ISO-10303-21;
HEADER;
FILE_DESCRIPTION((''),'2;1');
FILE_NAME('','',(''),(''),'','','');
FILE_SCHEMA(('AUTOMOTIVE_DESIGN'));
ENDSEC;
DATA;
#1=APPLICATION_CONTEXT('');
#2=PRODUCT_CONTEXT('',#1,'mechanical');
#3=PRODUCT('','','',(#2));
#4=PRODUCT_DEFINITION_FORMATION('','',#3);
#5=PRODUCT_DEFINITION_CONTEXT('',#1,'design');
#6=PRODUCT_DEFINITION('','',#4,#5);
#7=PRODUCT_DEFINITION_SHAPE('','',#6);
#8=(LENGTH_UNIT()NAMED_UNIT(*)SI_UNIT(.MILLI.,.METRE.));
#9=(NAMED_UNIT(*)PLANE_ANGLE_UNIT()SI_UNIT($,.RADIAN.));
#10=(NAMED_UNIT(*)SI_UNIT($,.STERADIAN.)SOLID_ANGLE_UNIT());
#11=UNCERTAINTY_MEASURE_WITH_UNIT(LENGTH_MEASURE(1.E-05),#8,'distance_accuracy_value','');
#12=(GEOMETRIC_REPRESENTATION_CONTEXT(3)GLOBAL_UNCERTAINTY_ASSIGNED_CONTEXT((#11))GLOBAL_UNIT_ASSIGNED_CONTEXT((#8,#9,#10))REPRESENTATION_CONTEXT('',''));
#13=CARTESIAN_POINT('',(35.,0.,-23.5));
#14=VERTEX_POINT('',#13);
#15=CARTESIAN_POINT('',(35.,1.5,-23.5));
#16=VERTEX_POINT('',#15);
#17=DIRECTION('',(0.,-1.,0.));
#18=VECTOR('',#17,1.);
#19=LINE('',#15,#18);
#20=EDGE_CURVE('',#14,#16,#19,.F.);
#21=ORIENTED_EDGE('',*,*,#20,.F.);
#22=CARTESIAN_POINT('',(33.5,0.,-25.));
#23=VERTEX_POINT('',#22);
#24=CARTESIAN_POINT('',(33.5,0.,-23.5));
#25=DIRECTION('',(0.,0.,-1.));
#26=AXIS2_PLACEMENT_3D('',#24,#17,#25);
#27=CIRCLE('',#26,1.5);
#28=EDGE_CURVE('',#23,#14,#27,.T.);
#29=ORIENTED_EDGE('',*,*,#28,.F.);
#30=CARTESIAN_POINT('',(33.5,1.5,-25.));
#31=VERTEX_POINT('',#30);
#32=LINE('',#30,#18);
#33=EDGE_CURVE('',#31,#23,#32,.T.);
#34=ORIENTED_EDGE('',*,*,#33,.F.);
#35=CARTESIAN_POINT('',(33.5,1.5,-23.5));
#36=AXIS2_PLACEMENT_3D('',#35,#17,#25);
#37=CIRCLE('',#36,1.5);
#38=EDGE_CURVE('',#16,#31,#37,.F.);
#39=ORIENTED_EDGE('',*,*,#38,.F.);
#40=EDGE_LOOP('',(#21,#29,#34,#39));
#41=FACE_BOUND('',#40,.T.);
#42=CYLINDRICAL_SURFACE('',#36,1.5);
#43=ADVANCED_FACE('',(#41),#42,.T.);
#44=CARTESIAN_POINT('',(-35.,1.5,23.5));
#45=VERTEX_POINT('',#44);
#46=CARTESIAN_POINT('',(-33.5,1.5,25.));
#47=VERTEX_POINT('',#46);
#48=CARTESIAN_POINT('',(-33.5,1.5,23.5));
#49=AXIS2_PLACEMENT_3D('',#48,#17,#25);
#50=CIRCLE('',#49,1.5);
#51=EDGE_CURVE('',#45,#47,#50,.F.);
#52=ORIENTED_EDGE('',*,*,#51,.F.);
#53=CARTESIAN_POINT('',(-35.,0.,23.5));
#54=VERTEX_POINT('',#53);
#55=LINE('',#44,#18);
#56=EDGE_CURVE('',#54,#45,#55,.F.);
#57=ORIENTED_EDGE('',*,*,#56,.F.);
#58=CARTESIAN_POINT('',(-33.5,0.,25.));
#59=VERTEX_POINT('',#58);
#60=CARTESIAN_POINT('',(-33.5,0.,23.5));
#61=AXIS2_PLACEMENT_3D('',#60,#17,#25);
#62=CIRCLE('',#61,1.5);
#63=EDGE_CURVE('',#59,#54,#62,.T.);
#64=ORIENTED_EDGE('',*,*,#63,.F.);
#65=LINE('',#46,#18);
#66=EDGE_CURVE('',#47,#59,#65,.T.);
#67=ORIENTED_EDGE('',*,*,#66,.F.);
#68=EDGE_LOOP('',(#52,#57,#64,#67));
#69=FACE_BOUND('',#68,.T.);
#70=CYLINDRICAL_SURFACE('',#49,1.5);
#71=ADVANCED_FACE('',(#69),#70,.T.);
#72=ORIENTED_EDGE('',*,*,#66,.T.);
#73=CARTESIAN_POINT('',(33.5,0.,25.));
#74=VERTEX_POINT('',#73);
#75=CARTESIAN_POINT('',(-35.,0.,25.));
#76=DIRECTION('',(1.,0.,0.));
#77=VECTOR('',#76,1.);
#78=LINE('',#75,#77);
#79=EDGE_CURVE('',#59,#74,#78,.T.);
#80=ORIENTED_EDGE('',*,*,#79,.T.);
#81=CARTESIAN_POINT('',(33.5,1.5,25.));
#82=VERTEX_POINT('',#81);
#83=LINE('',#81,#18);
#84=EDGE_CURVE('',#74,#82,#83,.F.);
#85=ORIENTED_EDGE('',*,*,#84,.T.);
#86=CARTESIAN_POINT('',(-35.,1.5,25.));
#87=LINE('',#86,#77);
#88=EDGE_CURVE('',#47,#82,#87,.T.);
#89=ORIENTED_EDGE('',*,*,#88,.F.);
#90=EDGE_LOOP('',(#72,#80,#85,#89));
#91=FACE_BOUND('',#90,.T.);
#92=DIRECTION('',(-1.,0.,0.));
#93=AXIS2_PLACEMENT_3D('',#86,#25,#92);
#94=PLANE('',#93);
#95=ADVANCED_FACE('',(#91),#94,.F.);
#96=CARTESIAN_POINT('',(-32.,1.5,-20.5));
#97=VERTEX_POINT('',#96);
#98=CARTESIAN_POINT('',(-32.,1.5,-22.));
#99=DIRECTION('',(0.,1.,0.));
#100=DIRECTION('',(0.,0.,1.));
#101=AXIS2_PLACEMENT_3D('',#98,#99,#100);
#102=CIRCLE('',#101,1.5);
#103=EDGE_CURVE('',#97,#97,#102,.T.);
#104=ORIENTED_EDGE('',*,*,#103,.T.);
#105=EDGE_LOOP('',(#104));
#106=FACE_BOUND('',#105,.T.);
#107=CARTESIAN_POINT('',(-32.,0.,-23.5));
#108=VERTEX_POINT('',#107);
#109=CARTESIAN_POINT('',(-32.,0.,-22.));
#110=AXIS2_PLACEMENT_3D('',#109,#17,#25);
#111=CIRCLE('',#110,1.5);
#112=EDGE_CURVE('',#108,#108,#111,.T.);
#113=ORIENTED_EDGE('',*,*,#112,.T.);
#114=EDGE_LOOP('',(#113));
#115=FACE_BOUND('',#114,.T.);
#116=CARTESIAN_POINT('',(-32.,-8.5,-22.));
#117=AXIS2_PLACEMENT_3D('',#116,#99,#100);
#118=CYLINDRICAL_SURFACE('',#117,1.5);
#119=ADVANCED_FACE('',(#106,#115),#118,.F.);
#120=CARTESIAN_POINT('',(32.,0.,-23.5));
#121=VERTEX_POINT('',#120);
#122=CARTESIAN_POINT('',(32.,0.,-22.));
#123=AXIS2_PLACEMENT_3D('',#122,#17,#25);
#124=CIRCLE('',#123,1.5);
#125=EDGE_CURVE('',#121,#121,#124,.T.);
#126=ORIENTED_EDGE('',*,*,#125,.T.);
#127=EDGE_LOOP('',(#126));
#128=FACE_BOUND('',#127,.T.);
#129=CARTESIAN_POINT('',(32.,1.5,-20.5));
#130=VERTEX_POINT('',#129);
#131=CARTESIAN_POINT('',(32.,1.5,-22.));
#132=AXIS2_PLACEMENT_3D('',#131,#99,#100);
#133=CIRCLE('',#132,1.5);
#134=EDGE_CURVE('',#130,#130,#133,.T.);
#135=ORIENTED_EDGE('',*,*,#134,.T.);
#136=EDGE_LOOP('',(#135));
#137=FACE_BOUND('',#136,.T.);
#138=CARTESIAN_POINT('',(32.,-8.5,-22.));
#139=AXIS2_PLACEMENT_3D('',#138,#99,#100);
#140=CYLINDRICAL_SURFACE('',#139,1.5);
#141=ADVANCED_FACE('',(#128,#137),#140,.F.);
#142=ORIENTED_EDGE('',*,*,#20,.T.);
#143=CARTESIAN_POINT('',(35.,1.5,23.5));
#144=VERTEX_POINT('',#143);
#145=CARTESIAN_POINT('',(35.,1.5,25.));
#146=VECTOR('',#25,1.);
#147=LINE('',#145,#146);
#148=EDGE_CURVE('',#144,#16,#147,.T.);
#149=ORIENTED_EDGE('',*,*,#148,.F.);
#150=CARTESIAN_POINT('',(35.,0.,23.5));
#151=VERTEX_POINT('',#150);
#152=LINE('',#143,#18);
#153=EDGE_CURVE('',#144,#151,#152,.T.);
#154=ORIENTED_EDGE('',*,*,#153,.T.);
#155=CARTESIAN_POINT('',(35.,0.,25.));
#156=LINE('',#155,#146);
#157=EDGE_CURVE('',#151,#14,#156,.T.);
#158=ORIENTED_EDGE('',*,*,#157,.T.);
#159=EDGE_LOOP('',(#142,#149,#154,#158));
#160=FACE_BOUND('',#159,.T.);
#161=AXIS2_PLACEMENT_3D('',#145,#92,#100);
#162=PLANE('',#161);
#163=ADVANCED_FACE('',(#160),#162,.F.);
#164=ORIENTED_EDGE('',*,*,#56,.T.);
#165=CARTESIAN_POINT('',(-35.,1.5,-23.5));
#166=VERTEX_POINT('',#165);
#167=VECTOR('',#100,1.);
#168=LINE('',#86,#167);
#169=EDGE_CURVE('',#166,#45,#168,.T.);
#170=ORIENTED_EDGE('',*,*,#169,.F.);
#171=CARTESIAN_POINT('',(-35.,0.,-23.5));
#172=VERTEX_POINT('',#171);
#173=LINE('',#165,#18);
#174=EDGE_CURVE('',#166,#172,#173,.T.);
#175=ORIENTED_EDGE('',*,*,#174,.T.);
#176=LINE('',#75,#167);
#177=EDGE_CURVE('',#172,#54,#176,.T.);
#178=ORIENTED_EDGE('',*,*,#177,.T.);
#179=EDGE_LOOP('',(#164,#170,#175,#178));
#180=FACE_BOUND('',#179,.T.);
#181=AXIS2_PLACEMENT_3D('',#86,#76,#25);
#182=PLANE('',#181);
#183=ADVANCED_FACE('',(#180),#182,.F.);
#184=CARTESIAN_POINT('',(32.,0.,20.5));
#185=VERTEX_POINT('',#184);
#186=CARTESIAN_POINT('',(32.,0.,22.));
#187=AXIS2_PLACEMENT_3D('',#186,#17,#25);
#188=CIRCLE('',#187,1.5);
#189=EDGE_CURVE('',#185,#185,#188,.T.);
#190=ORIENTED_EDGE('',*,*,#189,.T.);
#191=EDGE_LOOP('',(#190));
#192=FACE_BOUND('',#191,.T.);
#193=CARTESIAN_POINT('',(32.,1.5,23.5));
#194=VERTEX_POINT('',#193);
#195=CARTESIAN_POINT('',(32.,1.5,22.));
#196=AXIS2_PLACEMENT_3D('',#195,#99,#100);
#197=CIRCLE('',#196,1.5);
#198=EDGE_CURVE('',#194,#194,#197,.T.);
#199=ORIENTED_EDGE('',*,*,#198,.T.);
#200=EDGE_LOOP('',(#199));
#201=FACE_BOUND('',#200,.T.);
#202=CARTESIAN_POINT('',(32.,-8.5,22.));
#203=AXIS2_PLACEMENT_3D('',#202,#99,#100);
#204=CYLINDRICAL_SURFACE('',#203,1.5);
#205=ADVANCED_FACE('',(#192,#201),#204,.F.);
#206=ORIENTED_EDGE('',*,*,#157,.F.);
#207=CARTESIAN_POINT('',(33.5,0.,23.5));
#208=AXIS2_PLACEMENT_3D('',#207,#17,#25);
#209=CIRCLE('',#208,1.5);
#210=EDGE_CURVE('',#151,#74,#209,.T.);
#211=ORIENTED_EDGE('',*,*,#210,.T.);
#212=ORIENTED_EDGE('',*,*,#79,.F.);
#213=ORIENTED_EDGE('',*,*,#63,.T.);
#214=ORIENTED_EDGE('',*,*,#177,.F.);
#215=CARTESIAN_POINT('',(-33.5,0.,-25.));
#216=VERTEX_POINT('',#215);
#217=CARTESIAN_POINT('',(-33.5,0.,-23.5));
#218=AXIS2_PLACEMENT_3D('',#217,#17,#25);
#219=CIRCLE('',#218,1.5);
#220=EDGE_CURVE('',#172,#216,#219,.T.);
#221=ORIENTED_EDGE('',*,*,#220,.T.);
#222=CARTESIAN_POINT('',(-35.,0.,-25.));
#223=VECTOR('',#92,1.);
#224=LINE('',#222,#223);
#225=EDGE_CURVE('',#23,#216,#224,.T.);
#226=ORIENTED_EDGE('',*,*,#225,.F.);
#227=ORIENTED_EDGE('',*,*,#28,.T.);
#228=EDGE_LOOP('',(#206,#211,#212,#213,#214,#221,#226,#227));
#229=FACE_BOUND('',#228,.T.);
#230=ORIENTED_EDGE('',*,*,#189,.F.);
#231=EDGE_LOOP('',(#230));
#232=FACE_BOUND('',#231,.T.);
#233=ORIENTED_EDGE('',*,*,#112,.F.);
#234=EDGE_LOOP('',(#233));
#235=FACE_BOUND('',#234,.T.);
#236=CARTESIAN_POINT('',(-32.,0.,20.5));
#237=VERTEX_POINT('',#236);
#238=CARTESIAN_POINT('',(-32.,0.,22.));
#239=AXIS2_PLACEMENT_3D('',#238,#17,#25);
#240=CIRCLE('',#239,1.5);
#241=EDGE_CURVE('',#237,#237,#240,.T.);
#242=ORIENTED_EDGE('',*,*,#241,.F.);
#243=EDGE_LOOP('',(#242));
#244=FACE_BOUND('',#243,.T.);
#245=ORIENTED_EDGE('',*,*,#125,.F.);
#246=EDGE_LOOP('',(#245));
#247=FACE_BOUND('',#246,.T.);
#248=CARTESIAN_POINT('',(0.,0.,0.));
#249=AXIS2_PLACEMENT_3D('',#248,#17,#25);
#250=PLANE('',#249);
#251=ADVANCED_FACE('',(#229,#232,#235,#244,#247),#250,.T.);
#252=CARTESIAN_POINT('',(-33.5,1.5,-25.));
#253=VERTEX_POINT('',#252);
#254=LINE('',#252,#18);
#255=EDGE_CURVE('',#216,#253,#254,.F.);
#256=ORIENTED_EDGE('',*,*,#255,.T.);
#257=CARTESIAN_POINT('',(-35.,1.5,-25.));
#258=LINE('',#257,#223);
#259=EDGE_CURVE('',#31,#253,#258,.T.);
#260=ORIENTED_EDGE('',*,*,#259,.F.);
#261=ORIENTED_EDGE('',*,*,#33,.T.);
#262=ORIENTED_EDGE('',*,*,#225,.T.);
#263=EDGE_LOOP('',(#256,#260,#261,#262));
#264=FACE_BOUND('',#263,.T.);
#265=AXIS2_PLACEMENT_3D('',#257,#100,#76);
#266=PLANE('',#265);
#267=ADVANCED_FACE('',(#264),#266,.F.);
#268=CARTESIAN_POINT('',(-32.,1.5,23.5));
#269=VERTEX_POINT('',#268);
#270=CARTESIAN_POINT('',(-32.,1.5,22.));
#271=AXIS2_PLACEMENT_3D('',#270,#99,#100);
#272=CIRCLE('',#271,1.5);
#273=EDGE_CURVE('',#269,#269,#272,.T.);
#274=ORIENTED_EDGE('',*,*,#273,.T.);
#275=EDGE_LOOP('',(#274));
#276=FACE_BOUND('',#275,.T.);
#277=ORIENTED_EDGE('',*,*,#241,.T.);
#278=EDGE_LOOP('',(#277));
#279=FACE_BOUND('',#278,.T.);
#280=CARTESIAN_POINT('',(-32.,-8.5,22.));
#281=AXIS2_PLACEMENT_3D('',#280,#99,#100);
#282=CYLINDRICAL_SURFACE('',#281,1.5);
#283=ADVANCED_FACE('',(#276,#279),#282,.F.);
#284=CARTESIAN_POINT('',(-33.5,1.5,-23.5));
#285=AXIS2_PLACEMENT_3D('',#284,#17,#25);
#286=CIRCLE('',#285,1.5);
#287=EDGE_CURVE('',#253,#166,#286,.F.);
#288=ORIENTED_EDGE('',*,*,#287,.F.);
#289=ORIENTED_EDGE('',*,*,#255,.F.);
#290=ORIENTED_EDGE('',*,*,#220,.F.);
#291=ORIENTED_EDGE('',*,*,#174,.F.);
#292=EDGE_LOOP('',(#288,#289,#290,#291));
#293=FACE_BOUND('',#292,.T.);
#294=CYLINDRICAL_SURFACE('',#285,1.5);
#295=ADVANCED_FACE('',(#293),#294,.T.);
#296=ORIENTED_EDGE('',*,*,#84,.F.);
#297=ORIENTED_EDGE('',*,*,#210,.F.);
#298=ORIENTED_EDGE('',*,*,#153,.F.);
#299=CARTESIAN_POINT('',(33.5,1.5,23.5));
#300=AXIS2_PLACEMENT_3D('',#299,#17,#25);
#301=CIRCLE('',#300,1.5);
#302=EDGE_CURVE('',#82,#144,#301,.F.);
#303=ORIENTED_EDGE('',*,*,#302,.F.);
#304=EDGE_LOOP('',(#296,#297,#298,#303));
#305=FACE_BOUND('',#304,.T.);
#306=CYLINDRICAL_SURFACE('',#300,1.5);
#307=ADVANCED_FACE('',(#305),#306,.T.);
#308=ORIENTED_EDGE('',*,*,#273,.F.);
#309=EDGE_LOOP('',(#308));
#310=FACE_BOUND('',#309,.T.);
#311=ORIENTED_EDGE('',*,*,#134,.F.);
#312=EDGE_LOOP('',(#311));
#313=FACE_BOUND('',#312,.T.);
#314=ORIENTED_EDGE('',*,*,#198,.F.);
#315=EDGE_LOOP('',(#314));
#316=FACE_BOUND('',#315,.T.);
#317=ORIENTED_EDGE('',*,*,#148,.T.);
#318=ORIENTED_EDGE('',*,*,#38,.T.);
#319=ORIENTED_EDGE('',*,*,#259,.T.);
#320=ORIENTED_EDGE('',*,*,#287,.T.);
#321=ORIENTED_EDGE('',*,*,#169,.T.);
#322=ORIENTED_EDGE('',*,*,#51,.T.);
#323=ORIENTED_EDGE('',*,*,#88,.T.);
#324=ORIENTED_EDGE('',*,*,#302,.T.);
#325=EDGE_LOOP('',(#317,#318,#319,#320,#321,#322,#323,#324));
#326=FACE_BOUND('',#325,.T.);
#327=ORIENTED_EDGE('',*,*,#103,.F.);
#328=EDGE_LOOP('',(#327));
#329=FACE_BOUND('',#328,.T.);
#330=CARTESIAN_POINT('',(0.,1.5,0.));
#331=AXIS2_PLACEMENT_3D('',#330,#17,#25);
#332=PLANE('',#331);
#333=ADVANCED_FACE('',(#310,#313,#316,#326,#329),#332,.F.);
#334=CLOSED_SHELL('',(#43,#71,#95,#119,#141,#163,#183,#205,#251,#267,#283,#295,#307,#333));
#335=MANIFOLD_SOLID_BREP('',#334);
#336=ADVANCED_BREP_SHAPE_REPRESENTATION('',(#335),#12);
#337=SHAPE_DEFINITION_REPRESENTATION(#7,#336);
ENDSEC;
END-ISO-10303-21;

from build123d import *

# Parameters (mm, degrees)
SKETCH1_W           = 70
SKETCH1_H           = 50
BOSS_EXTRUDE1_DEPTH = 1.5
SKETCH2_R           = 1.5
CUT_EXTRUDE1_DEPTH  = 10
FILLET1_R           = 1.5


with BuildPart() as part:
    # Sketch1 → Boss-Extrude1 (new body)
    with BuildSketch(Plane(origin=(0, 0, 0), x_dir=(1, 0, 0), z_dir=(0, 1, 0))):
        Rectangle(SKETCH1_W, SKETCH1_H)
    extrude(amount=BOSS_EXTRUDE1_DEPTH)

    # Sketch2 → Cut-Extrude1 (cut)
    with BuildSketch(Plane(origin=(0, 1.5, 0), x_dir=(1, 0, 0), z_dir=(0, 1, 0))):
        with Locations(Location((-32, -22, 0), (0, 0, 270))):
            Circle(SKETCH2_R)
        with Locations(Location((32, -22, 0), (0, 0, 270))):
            Circle(SKETCH2_R)
        with Locations(Location((32, 22, 0), (0, 0, 270))):
            Circle(SKETCH2_R)
        with Locations(Location((-32, 22, 0), (0, 0, 270))):
            Circle(SKETCH2_R)
    extrude(amount=-CUT_EXTRUDE1_DEPTH, mode=Mode.SUBTRACT)

    # Fillet1
    fillet1_edges = [part.edges().sort_by_distance(p)[0] for p in [
        (35, 0.75, 25),
        (-35, 0.75, 25),
        (-35, 0.75, -25),
        (35, 0.75, -25),
    ]]
    fillet(fillet1_edges, radius=FILLET1_R)


solid = part.part
